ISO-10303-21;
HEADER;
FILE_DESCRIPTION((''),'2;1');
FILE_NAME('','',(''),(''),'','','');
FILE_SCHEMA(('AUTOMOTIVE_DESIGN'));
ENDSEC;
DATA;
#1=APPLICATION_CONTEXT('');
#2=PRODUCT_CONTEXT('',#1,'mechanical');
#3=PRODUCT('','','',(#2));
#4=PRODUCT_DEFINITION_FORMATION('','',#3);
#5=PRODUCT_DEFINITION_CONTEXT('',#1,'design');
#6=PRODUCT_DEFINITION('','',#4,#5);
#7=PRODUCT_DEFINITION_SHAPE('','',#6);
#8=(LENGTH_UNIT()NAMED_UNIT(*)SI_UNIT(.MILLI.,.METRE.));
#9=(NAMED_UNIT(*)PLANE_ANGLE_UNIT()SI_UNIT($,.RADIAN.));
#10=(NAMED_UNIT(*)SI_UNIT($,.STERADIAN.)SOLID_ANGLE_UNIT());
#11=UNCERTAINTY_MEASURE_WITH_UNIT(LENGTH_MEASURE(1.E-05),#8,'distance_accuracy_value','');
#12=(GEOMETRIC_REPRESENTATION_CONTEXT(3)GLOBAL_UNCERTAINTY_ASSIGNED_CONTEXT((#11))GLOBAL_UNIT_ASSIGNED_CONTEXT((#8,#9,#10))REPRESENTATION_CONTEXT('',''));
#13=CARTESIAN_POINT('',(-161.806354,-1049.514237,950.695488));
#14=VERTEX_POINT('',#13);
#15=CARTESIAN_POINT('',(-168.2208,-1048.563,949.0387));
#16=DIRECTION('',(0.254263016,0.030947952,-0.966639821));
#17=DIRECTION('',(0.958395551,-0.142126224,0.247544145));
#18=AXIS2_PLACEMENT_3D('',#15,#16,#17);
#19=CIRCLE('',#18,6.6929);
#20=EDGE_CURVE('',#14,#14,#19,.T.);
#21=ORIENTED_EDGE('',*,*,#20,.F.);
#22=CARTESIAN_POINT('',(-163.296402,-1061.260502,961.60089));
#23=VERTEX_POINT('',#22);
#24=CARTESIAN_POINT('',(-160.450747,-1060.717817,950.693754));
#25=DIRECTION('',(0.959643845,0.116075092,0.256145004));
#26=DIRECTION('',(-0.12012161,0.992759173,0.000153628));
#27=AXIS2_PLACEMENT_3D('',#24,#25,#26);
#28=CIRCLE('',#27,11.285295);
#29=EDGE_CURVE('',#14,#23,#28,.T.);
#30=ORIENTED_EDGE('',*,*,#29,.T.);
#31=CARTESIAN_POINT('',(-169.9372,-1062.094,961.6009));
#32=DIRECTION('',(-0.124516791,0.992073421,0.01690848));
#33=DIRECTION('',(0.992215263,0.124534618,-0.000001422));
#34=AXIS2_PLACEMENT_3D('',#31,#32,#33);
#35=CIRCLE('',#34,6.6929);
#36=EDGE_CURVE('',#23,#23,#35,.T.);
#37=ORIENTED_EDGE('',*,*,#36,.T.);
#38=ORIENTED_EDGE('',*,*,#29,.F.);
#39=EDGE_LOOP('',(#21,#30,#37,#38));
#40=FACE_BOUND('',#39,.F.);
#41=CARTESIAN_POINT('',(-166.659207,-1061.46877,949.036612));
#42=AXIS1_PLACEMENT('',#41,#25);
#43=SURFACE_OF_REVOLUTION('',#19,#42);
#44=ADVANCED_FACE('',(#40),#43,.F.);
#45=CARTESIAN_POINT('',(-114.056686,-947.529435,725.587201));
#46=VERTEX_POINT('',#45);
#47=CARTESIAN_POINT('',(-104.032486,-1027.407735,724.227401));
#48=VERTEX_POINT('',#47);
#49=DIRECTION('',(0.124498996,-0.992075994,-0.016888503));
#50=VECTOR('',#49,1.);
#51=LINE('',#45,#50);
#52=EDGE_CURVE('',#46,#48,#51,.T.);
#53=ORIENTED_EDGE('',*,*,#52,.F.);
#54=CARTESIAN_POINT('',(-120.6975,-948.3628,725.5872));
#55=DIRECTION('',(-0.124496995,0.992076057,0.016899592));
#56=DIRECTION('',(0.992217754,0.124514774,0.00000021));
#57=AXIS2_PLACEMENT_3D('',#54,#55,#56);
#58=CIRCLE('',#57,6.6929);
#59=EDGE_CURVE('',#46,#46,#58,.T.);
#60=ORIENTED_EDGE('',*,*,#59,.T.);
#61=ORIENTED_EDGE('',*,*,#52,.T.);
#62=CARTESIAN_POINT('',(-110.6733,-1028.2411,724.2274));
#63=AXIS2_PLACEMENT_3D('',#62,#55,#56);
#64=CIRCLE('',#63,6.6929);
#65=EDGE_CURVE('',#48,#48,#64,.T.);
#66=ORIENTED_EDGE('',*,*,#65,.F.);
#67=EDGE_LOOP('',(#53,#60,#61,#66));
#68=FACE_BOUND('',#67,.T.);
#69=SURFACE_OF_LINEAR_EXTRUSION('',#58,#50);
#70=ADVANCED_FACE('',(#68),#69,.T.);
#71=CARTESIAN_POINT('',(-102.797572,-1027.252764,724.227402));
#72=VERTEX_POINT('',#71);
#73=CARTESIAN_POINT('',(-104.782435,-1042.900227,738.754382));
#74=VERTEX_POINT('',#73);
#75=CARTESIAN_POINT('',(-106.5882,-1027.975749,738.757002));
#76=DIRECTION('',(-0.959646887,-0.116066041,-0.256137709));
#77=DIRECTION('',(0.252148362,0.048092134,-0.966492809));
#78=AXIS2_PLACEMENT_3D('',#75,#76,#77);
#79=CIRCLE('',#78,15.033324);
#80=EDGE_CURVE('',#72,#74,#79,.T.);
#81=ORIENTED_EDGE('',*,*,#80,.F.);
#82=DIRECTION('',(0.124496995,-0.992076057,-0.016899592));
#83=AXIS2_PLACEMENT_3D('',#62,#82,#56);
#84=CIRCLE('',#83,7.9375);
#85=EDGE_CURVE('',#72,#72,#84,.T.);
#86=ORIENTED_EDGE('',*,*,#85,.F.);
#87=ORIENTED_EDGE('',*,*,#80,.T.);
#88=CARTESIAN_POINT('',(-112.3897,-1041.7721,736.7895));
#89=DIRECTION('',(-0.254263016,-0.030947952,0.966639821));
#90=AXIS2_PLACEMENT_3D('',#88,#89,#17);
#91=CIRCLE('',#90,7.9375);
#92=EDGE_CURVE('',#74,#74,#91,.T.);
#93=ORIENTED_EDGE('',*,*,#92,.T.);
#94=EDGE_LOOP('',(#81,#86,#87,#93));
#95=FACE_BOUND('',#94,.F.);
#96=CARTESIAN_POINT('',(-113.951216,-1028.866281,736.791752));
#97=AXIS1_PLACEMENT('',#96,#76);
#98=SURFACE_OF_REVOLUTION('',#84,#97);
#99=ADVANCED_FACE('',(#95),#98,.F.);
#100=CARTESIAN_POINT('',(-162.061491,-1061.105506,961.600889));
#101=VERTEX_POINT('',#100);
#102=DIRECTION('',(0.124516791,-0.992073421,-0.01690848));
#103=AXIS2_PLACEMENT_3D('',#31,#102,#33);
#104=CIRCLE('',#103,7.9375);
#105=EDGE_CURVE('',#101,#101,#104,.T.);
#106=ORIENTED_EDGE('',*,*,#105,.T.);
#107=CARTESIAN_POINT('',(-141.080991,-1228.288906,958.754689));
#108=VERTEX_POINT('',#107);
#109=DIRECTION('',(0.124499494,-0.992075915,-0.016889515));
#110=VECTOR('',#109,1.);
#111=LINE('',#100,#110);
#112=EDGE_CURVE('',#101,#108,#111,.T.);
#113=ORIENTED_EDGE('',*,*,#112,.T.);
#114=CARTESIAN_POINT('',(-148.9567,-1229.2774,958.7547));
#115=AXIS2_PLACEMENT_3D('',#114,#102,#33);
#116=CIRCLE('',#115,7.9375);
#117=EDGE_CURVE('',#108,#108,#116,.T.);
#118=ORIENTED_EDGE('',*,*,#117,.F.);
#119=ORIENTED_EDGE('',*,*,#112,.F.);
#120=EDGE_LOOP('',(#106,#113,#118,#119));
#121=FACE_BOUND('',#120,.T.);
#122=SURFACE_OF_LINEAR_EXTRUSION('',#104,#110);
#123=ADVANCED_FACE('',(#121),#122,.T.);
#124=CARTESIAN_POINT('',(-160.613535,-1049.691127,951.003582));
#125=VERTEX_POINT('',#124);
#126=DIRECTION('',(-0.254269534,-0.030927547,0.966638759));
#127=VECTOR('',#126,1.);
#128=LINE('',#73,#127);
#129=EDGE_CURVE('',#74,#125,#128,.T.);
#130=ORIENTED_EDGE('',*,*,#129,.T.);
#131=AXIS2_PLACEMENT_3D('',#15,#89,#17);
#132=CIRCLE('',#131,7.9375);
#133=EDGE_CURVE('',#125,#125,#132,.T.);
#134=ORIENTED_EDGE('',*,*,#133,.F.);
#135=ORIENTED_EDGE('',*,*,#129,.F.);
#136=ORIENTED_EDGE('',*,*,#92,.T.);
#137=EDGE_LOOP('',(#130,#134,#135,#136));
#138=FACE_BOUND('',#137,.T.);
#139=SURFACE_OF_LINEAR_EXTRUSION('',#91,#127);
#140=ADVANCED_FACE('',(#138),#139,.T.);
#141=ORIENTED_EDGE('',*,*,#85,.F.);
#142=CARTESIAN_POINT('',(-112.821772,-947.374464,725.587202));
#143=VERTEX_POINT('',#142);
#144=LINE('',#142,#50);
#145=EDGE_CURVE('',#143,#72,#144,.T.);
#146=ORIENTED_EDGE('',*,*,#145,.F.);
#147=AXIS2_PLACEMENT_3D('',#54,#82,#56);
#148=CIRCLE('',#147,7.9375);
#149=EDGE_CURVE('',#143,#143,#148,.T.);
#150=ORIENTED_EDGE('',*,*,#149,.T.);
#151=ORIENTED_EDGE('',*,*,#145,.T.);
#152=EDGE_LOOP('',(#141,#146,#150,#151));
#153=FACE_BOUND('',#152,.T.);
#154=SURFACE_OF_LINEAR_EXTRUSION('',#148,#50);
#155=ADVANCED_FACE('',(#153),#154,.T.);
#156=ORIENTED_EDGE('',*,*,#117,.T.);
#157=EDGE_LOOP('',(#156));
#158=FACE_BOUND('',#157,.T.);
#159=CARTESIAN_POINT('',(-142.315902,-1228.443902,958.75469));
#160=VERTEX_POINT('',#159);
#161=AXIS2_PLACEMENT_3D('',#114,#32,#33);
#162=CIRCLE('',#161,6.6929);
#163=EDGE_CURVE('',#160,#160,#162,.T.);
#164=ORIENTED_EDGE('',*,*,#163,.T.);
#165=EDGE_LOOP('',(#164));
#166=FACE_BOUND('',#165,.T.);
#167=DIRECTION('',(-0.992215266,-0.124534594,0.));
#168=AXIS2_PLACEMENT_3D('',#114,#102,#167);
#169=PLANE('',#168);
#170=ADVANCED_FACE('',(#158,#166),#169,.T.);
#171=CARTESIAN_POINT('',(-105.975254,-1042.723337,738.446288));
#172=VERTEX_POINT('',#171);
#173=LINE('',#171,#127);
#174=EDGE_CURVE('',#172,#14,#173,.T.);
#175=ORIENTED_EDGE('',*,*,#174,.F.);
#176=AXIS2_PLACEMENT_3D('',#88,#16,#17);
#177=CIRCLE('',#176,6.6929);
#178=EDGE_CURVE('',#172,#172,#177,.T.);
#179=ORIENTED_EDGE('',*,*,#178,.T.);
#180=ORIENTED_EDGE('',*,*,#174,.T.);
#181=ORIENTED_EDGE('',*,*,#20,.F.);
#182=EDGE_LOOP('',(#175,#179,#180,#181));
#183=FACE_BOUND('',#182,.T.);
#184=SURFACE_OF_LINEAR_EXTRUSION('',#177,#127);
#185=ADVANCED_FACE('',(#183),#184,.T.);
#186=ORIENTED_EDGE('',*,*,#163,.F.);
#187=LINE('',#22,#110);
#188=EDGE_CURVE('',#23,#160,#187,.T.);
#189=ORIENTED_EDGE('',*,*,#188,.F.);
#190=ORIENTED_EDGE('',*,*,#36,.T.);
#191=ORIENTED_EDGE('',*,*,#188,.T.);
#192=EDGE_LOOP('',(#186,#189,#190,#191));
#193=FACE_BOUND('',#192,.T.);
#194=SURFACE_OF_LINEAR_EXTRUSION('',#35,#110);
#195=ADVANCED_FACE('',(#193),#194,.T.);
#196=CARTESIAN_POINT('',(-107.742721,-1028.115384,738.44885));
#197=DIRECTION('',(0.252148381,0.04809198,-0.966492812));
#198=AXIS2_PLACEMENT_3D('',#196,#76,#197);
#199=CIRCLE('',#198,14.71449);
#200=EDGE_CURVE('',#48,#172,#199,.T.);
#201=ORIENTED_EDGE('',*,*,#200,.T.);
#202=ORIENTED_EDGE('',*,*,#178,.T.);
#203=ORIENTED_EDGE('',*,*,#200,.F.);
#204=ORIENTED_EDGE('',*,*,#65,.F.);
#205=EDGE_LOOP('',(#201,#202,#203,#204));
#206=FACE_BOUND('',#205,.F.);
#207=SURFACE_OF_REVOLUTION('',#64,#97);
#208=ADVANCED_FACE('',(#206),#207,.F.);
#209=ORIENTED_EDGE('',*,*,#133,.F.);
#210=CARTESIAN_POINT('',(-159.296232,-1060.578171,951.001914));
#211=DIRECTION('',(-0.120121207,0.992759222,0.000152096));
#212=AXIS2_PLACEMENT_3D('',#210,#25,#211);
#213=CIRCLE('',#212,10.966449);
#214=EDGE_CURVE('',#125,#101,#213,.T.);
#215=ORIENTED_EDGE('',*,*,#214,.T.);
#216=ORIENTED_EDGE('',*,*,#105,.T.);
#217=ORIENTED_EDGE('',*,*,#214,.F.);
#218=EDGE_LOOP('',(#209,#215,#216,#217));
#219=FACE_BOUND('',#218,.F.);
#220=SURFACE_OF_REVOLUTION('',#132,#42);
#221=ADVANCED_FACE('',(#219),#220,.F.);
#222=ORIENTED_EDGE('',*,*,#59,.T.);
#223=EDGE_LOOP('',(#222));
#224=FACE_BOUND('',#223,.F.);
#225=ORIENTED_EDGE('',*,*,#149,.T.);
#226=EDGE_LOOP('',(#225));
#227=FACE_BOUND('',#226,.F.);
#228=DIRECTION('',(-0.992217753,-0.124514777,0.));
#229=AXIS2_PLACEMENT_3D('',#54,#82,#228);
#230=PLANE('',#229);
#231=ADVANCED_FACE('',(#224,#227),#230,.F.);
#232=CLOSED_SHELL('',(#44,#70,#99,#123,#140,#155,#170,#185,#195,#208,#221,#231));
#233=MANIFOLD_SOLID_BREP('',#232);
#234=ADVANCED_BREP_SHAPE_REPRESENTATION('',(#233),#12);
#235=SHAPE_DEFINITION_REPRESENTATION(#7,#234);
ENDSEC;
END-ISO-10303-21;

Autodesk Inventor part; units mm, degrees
ref_plane "YZ Plane" through (0, 0, 0) normal (1, 0, 0) x (0, 1, 0)
ref_plane "XZ Plane" through (0, 0, 0) normal (0, 1, 0) x (-1, 0, 0)
ref_plane "Work Plane5" through (-120.6975, -948.3628, 725.5872) normal (0.1245, -0.9921, -0.0169) x (0.9922, 0.1245, 0)
sketch "Sketch7" plane through (-120.6975, -948.3628, 725.5872) normal (0.1245, -0.9921, -0.0169) x (0.9922, 0.1245, 0)
  circle A0 centre (0, 0) radius 7.9375
  circle A1 centre (0, 0) radius 6.6929
sketch3d "3D Sketch5"
  line L0 (-120.6975, -948.3628, 725.5872) -> (-110.6733, -1028.2411, 724.2274)
  arc A0 (-110.6733, -1028.2411, 724.2274) -> (-112.3897, -1041.7721, 736.7895) centre (-113.9512, -1028.8663, 736.7917) ccw
  line L1 (-112.3897, -1041.7721, 736.7895) -> (-168.2208, -1048.563, 949.0387)
  arc A1 (-168.2208, -1048.563, 949.0387) -> (-169.9372, -1062.094, 961.6009) centre (-166.6592, -1061.4688, 949.0366) ccw
  line L2 (-169.9372, -1062.094, 961.6009) -> (-148.9567, -1229.2774, 958.7547)
  dimension "d20" = 12.9999
  dimension "d21" = 12.9999
sweep "Sweep5" add profiles "Sketch7" path "3D Sketch5"
equation "\"OD\" = 15.875"
equation "\"t\" = 1.2446"
equation "\"L\" = PL"
equation "\"ID\" = 13.3858"
equation "\"PL\" = 509.905"
equation "\"Size_Designation\" = 1.2345"
properties material "Copper"
